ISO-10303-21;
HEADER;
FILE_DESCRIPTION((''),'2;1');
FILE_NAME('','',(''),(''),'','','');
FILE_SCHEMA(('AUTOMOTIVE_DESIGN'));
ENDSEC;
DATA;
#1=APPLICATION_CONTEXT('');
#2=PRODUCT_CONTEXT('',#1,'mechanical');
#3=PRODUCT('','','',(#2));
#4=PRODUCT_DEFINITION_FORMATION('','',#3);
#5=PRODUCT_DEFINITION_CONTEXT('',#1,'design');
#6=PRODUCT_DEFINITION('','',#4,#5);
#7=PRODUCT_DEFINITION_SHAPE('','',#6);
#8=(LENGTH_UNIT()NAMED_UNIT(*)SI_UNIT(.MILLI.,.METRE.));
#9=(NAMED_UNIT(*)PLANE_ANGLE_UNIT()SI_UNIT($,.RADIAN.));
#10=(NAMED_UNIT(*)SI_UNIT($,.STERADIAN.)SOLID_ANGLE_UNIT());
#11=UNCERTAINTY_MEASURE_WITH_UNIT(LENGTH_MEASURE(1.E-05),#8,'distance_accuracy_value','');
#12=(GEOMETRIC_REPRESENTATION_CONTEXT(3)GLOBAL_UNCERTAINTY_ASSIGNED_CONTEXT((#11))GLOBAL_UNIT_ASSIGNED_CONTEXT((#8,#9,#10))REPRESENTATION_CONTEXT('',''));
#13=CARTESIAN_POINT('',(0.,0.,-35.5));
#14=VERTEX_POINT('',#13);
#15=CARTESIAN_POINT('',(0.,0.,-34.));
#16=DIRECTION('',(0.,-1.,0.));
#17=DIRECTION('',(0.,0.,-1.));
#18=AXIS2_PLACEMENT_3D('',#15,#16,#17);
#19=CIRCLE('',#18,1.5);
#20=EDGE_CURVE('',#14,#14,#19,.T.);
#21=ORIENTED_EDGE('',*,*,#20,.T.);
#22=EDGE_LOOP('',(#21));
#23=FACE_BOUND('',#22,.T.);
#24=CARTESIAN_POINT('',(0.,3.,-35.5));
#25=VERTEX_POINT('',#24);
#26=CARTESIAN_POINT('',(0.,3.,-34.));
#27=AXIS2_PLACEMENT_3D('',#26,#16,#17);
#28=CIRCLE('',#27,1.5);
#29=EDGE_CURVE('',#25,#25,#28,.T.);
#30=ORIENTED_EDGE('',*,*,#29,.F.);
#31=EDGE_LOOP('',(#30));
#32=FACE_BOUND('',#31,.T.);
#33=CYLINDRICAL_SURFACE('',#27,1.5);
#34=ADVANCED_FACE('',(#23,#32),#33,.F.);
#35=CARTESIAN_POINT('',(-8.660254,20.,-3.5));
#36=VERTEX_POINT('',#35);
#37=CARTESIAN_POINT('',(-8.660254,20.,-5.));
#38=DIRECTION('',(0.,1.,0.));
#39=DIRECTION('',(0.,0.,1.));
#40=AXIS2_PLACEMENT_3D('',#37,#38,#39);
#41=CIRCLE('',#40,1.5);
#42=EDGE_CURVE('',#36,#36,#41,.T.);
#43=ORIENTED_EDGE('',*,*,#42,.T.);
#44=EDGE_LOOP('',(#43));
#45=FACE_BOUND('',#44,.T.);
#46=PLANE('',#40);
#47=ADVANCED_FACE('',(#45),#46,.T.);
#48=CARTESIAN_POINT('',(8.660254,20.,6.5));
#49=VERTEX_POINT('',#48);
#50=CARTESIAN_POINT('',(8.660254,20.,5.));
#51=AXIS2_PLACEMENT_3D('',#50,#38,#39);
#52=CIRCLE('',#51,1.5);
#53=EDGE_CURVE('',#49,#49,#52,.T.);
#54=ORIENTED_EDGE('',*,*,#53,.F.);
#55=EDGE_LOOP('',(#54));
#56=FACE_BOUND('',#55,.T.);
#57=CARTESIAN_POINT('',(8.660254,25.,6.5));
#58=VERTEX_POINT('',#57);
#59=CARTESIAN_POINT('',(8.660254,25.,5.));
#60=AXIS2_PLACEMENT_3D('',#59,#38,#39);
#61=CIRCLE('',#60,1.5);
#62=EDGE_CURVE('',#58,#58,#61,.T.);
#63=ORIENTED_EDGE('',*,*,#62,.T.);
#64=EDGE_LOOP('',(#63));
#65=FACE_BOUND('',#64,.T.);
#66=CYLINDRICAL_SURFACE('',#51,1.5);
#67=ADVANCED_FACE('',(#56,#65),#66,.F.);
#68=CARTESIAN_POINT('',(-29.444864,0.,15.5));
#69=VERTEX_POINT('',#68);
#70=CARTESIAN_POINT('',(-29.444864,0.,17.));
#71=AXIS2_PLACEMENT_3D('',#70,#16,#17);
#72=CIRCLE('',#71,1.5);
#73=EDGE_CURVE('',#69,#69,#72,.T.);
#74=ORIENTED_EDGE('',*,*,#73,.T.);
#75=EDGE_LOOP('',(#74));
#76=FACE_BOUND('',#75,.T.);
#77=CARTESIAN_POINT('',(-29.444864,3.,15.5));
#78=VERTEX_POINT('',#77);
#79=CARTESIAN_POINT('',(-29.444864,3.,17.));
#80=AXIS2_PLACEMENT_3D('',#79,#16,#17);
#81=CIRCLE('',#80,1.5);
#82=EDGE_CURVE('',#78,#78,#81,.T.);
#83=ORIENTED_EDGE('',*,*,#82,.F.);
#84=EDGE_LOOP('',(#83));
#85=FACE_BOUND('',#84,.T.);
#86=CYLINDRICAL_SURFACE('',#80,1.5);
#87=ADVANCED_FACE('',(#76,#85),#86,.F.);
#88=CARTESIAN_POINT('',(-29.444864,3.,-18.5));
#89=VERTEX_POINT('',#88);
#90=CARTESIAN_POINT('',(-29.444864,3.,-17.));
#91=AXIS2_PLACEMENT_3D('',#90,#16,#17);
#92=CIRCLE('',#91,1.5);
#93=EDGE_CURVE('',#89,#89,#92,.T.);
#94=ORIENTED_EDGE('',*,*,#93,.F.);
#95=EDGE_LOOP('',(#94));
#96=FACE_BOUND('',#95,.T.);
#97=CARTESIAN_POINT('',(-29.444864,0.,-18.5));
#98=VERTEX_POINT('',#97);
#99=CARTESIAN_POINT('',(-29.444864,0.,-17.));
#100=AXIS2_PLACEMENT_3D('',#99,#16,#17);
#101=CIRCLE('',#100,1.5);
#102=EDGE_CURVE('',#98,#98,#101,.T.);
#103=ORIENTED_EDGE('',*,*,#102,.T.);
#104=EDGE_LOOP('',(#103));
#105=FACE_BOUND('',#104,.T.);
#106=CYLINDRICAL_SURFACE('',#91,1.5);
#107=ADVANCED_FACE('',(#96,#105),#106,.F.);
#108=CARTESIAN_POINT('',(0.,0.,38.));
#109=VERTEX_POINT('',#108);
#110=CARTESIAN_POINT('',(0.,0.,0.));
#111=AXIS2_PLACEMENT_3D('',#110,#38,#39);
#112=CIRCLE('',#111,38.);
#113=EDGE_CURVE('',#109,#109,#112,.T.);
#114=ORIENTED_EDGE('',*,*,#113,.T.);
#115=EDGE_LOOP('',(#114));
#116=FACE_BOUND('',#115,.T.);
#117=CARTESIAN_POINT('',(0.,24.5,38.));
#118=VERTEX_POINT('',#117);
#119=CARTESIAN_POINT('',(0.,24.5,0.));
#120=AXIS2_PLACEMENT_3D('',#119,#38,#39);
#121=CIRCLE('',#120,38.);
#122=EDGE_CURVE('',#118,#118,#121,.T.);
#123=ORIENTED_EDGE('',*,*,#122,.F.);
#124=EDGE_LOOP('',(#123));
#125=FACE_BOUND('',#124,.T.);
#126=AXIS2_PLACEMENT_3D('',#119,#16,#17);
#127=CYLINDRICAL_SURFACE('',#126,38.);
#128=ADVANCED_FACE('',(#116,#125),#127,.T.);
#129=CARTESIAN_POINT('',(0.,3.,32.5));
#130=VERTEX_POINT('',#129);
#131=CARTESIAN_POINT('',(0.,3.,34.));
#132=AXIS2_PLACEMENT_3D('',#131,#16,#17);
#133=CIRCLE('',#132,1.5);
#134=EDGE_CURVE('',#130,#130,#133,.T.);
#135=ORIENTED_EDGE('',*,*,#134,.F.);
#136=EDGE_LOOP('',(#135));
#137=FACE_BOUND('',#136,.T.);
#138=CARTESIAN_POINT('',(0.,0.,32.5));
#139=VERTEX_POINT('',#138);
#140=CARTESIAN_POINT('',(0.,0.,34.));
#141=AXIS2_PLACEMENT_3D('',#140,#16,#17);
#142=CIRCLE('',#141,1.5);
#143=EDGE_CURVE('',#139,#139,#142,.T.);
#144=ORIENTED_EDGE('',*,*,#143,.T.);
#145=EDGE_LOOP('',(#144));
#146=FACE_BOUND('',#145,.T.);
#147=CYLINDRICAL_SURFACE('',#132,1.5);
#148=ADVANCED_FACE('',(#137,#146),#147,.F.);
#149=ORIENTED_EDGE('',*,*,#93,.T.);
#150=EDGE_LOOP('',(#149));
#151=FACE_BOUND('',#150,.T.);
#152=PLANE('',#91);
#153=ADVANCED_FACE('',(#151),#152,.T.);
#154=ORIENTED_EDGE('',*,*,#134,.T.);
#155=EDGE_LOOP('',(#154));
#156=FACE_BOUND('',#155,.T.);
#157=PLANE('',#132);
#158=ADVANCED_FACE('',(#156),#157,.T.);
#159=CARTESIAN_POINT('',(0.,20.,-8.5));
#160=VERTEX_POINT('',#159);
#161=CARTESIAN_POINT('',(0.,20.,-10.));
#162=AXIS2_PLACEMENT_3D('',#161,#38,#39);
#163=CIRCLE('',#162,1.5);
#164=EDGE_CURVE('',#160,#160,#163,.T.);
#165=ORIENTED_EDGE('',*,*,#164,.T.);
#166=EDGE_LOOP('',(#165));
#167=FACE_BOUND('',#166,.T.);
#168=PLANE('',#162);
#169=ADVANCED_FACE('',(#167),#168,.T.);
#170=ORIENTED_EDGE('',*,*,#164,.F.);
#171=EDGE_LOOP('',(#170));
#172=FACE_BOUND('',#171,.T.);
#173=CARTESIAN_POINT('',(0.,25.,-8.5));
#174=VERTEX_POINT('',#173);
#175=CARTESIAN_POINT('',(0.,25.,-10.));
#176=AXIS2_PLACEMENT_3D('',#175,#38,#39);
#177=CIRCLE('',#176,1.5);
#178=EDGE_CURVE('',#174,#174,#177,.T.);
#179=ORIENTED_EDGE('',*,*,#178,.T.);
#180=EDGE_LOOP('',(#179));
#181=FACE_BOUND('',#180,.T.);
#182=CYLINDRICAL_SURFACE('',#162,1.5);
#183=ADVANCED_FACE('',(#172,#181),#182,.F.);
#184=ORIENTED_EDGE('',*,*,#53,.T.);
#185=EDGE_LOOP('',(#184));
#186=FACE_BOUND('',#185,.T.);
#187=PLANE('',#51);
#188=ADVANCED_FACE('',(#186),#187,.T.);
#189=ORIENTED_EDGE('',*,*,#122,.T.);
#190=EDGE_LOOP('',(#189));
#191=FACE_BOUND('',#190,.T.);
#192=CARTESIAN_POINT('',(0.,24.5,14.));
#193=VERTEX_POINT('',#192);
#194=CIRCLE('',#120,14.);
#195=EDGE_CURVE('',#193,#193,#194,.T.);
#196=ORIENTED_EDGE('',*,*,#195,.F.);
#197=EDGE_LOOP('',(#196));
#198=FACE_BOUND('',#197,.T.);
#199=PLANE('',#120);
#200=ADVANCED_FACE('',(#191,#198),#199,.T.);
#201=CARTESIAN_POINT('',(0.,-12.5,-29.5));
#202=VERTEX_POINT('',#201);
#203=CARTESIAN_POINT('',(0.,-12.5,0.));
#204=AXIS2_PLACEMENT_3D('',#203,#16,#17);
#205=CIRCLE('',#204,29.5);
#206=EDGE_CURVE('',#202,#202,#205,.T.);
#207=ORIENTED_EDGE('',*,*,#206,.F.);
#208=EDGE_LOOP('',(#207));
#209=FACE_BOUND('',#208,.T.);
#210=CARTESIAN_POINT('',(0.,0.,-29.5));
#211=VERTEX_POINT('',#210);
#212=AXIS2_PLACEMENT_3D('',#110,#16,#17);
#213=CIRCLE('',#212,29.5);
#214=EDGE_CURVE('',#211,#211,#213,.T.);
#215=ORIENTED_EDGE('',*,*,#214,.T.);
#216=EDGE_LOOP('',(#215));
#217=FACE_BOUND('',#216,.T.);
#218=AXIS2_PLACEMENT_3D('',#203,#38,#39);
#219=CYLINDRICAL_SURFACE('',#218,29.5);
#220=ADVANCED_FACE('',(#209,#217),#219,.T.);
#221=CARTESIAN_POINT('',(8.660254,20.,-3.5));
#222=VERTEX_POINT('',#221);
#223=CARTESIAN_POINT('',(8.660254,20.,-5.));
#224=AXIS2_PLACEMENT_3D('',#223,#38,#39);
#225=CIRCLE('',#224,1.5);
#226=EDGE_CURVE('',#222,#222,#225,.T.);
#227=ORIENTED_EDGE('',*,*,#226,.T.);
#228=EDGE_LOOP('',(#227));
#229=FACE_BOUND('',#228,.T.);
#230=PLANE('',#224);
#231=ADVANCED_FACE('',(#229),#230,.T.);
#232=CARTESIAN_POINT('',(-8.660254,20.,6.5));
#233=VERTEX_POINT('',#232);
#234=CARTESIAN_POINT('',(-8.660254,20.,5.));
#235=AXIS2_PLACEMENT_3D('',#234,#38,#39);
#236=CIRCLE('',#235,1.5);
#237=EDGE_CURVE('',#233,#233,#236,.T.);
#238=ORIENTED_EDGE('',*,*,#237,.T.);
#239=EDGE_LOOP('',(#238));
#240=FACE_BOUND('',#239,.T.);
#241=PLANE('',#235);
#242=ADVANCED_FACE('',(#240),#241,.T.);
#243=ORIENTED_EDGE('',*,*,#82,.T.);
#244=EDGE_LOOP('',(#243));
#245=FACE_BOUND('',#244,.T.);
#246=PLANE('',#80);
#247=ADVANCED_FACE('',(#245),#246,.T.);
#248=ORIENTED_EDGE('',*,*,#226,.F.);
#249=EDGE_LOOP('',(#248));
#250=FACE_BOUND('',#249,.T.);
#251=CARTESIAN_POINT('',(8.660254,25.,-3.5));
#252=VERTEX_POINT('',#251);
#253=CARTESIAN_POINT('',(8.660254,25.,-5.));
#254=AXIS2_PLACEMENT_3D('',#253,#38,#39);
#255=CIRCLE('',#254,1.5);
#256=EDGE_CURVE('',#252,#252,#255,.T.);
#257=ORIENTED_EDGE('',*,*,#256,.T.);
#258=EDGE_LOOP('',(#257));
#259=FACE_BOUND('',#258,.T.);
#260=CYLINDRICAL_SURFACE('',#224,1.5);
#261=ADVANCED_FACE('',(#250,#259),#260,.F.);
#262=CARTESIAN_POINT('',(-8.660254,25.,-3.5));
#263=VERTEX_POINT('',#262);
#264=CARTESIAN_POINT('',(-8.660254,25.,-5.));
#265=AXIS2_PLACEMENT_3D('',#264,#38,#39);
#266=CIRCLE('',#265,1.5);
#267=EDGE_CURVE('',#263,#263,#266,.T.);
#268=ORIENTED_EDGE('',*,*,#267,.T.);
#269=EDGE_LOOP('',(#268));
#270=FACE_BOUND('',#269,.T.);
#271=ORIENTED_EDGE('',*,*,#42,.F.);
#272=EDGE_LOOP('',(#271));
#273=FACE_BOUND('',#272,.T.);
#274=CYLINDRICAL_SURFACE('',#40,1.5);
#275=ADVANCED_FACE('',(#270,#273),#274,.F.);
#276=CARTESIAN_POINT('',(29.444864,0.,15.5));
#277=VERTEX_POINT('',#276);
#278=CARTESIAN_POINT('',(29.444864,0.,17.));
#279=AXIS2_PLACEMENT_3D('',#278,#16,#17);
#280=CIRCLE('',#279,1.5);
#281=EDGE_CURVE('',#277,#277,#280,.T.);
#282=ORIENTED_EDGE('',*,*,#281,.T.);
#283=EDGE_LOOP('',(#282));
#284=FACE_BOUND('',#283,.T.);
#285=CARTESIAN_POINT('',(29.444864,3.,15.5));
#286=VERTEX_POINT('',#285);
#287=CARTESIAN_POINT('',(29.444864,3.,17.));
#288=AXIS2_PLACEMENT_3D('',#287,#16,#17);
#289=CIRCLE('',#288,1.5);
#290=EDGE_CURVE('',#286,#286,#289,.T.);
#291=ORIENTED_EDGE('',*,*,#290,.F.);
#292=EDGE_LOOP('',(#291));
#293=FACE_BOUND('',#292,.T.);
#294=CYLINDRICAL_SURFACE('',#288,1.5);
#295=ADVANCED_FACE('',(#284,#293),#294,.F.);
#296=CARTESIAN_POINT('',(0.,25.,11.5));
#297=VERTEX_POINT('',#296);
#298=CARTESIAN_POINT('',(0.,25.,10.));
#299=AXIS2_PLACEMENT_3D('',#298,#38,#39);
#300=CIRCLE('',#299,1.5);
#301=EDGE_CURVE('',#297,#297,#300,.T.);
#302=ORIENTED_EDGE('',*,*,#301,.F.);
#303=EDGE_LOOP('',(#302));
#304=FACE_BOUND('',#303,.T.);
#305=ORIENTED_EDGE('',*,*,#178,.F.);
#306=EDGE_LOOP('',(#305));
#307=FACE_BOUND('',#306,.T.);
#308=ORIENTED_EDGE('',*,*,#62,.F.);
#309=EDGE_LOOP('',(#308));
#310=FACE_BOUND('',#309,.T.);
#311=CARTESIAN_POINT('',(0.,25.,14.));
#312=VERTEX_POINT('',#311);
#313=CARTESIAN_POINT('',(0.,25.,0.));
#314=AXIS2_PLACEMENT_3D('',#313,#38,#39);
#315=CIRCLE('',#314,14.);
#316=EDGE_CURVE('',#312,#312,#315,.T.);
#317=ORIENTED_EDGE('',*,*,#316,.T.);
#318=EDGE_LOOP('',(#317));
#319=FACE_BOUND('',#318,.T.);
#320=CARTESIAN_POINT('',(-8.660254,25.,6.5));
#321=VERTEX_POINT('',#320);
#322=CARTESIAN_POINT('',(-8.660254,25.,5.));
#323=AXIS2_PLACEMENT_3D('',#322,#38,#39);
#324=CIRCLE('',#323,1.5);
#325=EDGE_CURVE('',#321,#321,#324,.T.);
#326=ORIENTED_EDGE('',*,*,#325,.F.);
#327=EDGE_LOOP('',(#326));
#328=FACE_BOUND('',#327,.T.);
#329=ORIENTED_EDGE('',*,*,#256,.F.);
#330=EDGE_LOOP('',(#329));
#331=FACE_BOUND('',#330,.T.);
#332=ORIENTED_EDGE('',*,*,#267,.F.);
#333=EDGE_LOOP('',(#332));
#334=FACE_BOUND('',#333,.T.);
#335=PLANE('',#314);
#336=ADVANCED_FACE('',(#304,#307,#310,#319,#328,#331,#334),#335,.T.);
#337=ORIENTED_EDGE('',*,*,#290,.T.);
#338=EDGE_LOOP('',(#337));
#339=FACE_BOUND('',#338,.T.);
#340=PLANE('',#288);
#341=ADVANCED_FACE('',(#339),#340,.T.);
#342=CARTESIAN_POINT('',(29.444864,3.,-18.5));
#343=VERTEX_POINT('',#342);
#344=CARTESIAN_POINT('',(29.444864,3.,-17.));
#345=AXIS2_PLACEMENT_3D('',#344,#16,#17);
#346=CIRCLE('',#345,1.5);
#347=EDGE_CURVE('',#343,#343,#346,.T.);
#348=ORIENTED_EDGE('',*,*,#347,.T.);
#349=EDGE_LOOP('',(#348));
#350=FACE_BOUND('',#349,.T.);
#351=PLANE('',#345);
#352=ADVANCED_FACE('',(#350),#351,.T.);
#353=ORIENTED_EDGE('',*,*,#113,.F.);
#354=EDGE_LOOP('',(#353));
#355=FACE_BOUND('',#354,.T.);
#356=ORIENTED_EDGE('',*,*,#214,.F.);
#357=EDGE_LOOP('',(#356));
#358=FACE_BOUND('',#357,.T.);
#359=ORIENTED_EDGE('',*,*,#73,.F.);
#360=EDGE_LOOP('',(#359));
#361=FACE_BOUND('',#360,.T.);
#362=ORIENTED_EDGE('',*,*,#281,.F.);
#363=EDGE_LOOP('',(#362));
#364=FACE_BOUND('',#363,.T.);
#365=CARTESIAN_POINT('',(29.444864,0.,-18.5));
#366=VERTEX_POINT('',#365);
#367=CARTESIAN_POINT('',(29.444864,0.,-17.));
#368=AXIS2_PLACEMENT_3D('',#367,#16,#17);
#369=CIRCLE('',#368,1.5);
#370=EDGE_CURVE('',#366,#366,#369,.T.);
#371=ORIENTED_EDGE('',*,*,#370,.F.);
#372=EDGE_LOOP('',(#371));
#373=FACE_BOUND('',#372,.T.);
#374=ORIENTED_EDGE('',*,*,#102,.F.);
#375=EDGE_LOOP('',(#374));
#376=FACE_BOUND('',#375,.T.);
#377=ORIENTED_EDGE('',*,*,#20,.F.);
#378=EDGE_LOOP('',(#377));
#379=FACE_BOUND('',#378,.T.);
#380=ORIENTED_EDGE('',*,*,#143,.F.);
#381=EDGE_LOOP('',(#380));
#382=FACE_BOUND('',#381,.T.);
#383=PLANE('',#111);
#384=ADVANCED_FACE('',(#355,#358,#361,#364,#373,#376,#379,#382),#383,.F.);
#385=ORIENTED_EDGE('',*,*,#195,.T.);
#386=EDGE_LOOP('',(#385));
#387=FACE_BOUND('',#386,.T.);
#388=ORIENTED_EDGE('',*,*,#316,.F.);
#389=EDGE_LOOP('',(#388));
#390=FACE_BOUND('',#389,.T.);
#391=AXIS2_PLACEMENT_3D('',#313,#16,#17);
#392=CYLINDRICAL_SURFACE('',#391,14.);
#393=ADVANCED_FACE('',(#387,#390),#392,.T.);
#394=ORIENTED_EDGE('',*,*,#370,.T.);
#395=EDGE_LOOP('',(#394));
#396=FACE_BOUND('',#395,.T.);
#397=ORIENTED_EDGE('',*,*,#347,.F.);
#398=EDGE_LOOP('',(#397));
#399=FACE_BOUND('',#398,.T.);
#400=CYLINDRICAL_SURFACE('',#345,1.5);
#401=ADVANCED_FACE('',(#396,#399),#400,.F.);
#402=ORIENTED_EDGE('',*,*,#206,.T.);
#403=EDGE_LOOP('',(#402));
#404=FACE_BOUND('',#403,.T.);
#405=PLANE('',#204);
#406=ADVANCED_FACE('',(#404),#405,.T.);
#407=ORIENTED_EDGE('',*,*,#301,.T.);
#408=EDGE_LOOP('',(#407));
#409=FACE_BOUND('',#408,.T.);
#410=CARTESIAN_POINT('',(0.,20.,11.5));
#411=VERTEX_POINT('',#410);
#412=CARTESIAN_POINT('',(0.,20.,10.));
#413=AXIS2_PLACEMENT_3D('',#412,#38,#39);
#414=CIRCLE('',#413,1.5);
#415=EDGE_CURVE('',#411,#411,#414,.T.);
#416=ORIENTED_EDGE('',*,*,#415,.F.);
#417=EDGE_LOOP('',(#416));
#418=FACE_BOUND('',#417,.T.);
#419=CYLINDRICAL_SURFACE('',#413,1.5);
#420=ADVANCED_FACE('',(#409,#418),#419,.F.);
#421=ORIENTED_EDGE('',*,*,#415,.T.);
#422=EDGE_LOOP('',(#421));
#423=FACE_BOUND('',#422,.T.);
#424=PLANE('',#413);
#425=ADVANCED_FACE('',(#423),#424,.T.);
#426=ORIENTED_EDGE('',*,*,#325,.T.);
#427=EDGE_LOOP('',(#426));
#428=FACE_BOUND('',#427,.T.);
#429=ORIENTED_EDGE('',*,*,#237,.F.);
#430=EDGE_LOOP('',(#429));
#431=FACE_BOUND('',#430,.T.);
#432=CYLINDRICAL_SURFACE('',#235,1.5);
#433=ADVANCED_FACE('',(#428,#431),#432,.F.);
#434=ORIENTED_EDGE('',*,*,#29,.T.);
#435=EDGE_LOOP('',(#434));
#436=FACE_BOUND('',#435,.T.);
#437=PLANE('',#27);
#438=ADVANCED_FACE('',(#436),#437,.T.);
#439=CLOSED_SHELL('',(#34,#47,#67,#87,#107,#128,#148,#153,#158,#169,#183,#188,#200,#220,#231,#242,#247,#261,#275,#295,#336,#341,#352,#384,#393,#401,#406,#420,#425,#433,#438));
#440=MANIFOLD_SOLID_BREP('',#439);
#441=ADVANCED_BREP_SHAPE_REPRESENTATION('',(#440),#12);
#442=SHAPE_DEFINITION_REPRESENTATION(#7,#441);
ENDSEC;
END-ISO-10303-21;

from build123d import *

# Parameters (mm, degrees)
SKETCH1_R           = 38
BOSS_EXTRUDE1_DEPTH = 24.5
SKETCH2_R           = 14
BOSS_EXTRUDE2_DEPTH = 0.5
SKETCH3_R           = 29.5
BOSS_EXTRUDE3_DEPTH = 12.5
SKETCH4_R           = 1.5
CUT_EXTRUDE1_DEPTH  = 5
SKETCH8_R           = 1.5
CUT_EXTRUDE3_DEPTH  = 3


with BuildPart() as part:
    # Sketch1 → Boss-Extrude1 (new body)
    with BuildSketch(Plane(origin=(0, 0, 0), x_dir=(1, 0, 0), z_dir=(0, 1, 0))):
        with Locations(Location((0, 0, 0), (0, 0, 270))):
            Circle(SKETCH1_R)
    extrude(amount=BOSS_EXTRUDE1_DEPTH)

    # Sketch2 → Boss-Extrude2 (add)
    with BuildSketch(Plane(origin=(0, 24.5, 0), x_dir=(1, 0, 0), z_dir=(0, 1, 0))):
        with Locations(Location((0, 0, 0), (0, 0, 270))):
            Circle(SKETCH2_R)
    extrude(amount=BOSS_EXTRUDE2_DEPTH)

    # Sketch3 → Boss-Extrude3 (add)
    with BuildSketch(Plane.XZ):
        with Locations(Location((0, 0, 0), (0, 0, 270))):
            Circle(SKETCH3_R)
    extrude(amount=BOSS_EXTRUDE3_DEPTH)

    # Sketch4 → Cut-Extrude1 (cut)
    with BuildSketch(Plane(origin=(0, 25, 0), x_dir=(1, 0, 0), z_dir=(0, 1, 0))):
        with Locations(Location((0, 10, 0), (0, 0, 270))):
            Circle(SKETCH4_R)
        with Locations(Location((8.660254038, 5, 0), (0, 0, 270))):
            Circle(SKETCH4_R)
        with Locations(Location((8.660254038, -5, 0), (0, 0, 270))):
            Circle(SKETCH4_R)
        with Locations(Location((0, -10, 0), (0, 0, 270))):
            Circle(SKETCH4_R)
        with Locations(Location((-8.660254038, -5, 0), (0, 0, 270))):
            Circle(SKETCH4_R)
        with Locations(Location((-8.660254038, 5, 0), (0, 0, 270))):
            Circle(SKETCH4_R)
    extrude(amount=-CUT_EXTRUDE1_DEPTH, mode=Mode.SUBTRACT)

    # Sketch8 → Cut-Extrude3 (cut)
    with BuildSketch(Plane.XZ):
        with Locations(Location((0, 34, 0), (0, 0, 270))):
            Circle(SKETCH8_R)
        with Locations(Location((29.444863729, 17, 0), (0, 0, 270))):
            Circle(SKETCH8_R)
        with Locations(Location((29.444863729, -17, 0), (0, 0, 270))):
            Circle(SKETCH8_R)
        with Locations(Location((0, -34, 0), (0, 0, 270))):
            Circle(SKETCH8_R)
        with Locations(Location((-29.444863729, -17, 0), (0, 0, 270))):
            Circle(SKETCH8_R)
        with Locations(Location((-29.444863729, 17, 0), (0, 0, 270))):
            Circle(SKETCH8_R)
    extrude(amount=-CUT_EXTRUDE3_DEPTH, mode=Mode.SUBTRACT)


solid = part.part
